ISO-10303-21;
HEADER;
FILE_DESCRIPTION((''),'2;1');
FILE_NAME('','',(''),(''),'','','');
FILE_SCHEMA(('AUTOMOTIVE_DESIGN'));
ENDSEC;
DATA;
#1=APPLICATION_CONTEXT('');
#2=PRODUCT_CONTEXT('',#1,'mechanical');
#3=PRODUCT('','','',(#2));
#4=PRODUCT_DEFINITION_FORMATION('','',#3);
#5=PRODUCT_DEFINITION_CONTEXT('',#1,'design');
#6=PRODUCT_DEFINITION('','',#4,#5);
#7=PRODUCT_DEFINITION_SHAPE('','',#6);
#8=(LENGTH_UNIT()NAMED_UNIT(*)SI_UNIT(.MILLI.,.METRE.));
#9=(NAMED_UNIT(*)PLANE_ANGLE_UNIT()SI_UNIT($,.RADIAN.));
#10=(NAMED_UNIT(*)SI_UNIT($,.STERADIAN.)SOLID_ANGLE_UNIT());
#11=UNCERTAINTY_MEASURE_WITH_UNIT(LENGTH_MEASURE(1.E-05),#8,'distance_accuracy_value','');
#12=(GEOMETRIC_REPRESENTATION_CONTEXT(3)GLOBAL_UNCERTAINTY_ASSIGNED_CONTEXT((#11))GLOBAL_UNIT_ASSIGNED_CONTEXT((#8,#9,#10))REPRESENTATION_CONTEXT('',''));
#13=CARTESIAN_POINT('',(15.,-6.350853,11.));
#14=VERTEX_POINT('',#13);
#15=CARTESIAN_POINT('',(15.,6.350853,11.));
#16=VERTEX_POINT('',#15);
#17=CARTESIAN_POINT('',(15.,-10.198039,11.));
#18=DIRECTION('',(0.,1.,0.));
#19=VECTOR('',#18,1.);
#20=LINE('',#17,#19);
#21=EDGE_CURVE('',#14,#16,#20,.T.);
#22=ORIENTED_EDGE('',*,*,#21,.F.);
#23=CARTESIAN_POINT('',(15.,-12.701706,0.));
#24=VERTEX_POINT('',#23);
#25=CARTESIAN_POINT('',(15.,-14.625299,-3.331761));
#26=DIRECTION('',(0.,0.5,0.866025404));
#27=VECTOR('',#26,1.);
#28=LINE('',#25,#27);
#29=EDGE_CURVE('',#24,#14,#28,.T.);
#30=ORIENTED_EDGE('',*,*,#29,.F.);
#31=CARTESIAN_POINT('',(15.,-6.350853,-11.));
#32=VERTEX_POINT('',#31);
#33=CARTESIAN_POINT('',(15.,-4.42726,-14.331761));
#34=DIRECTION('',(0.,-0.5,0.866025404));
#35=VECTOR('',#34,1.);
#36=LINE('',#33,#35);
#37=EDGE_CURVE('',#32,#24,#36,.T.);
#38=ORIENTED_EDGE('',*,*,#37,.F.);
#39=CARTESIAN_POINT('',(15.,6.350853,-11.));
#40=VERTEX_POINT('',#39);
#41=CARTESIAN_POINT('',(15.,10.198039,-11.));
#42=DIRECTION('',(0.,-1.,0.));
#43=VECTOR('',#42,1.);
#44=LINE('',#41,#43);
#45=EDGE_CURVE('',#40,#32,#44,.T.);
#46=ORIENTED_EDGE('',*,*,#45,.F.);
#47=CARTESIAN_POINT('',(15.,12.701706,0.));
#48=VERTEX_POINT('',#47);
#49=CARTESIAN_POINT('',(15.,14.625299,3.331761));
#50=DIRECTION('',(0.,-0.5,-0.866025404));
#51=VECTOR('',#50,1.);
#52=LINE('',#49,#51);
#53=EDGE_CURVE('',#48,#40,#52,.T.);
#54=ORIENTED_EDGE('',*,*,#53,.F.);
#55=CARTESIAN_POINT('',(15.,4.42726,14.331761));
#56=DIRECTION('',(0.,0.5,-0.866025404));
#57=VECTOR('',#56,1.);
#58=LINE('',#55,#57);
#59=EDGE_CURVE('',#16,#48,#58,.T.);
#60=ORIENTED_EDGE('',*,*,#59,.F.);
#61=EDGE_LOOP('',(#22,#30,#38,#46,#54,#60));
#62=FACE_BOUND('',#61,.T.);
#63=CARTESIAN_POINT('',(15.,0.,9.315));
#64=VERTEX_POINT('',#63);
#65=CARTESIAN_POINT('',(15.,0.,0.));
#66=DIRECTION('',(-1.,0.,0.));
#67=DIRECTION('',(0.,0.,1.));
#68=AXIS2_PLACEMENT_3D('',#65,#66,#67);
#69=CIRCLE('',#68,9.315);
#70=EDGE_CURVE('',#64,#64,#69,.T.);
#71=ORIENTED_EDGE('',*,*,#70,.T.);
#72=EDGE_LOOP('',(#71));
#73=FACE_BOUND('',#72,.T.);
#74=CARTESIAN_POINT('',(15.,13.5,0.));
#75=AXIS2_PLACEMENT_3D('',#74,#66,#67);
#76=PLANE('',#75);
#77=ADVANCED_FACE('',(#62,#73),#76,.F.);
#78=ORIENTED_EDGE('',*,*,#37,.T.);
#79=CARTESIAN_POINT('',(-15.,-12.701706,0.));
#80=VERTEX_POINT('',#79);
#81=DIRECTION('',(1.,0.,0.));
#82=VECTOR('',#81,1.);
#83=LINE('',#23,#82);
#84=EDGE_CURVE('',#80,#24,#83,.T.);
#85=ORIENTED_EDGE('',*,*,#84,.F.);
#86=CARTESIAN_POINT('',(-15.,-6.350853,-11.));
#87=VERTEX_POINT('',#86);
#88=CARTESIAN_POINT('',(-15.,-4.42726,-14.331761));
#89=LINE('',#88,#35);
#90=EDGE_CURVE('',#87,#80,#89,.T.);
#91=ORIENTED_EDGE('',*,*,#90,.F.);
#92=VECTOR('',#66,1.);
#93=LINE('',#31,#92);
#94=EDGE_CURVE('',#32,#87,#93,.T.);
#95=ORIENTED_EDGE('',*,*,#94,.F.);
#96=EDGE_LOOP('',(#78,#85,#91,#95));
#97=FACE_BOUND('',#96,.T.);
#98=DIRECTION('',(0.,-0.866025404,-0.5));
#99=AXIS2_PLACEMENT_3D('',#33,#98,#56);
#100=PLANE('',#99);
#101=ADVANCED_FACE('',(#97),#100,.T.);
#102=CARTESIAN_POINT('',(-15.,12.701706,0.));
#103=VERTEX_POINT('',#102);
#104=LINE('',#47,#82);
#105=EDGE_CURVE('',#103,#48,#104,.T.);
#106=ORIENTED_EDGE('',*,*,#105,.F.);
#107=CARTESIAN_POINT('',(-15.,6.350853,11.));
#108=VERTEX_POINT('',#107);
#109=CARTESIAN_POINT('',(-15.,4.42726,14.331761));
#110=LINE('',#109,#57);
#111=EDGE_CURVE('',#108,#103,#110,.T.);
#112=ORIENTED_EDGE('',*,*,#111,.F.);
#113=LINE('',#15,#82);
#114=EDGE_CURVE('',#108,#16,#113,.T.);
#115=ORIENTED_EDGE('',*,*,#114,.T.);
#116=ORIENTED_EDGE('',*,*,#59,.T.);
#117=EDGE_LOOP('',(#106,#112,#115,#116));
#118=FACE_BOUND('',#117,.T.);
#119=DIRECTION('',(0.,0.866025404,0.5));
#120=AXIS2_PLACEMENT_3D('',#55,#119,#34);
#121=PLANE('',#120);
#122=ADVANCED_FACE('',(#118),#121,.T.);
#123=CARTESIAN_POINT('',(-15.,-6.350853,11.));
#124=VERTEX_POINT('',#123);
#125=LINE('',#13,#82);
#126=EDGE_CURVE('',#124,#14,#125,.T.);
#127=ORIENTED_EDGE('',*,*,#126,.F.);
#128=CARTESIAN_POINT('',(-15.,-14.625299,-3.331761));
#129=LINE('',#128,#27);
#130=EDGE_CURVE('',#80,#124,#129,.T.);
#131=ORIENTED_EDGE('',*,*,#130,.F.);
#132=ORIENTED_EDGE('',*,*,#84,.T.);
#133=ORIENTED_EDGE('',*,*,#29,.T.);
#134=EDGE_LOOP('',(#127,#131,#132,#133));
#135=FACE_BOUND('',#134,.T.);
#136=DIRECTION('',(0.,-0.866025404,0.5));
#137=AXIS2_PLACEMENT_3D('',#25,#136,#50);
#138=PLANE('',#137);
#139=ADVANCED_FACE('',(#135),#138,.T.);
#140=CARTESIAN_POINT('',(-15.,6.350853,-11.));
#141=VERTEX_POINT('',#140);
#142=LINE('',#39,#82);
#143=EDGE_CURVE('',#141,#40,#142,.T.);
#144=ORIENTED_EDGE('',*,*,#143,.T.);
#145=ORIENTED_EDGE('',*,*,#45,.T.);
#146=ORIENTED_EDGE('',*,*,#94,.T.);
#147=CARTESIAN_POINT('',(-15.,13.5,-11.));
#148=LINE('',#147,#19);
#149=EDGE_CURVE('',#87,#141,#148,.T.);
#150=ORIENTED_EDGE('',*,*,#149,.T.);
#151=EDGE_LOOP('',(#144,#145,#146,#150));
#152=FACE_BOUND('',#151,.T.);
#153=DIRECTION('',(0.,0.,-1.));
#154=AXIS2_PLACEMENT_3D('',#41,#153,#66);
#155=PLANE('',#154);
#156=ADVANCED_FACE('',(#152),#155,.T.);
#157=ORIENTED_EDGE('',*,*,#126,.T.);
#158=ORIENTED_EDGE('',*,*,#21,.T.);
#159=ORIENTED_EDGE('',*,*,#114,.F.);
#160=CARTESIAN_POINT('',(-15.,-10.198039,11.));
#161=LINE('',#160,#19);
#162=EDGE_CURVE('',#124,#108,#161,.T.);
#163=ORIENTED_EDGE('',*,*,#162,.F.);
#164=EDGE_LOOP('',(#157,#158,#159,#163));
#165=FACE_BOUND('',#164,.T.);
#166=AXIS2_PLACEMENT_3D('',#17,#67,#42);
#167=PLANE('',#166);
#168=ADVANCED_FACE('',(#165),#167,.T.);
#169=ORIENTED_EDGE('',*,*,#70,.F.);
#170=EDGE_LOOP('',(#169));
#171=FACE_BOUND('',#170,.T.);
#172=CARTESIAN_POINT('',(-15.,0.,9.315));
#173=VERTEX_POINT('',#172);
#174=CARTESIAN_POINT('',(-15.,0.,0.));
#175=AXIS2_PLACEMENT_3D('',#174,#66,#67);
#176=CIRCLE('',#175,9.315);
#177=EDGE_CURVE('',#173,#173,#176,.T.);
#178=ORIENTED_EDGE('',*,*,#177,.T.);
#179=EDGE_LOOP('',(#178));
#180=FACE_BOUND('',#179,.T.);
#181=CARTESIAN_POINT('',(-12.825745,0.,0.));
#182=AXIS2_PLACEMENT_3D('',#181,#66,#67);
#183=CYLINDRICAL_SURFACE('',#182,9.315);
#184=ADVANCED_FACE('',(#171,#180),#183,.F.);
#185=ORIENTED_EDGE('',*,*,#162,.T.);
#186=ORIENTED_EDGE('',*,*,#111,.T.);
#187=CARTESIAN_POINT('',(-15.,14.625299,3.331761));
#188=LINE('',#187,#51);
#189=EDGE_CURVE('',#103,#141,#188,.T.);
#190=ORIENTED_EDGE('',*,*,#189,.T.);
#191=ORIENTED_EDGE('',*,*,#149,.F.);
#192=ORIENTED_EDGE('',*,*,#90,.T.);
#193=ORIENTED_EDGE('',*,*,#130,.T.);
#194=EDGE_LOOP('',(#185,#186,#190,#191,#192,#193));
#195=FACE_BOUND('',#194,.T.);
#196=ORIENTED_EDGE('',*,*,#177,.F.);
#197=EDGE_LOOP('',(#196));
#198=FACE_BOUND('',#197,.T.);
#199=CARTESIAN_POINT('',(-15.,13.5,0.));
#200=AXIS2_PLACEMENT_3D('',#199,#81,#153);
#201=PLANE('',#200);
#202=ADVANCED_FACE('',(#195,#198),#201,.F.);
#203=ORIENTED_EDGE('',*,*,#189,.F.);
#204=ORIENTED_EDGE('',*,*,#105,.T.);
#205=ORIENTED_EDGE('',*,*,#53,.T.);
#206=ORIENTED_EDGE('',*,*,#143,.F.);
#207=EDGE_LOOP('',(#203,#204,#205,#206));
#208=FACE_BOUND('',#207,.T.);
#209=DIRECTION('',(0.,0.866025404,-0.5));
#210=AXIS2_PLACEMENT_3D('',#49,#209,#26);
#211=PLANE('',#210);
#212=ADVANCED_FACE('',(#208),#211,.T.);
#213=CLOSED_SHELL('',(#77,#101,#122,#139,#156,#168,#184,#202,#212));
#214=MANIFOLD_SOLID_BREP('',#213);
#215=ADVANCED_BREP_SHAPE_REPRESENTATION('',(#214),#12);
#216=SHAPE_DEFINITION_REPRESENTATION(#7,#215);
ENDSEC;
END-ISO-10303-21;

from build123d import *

# Parameters (mm, degrees)
SCHNITT_LINEAR_AUSTRAGEN2_DEPTH = 26.980762114
KREISMUSTER1_COUNT              = 6


with BuildPart() as part:
    # Skizze2 → Rotation1 (revolve)
    with BuildSketch(Plane.XY, mode=Mode.PRIVATE) as rotation1_sk:
        Polygon((-15, 13.5), (-14.598076211, 15), (14.598076211, 15), (15, 13.5), (15, 9.315), (-15, 9.315), align=None)
    revolve(rotation1_sk.sketch.rotate(Axis((-12.825745381, 0, 0), (1, 0, 0)), 90), axis=Axis((-12.825745381, 0, 0), (1, 0, 0)))

    # Skizze3 → Schnitt-Linear austragen2 (cut, symmetric)
    with BuildSketch(Plane(origin=(0, 0, 0), x_dir=(0, 0, -1), z_dir=(1, 0, 0))):
        with BuildLine():
            Line((11, 10.198039027), (11, -10.198039027))
            ThreePointArc((11, -10.198039027), (15, 0), (11, 10.198039027))
        make_face()
    schnitt_linear_austragen2 = extrude(amount=SCHNITT_LINEAR_AUSTRAGEN2_DEPTH, both=True, mode=Mode.SUBTRACT)

    # Kreismuster1: Schnitt-Linear austragen2 ×6 about axis
    kreismuster1_axis = Axis((0, 0, 0), (1, 0, 0))
    for i in range(1, KREISMUSTER1_COUNT):
        add(schnitt_linear_austragen2.rotate(kreismuster1_axis, i * 360 / KREISMUSTER1_COUNT), mode=Mode.SUBTRACT)


solid = part.part
